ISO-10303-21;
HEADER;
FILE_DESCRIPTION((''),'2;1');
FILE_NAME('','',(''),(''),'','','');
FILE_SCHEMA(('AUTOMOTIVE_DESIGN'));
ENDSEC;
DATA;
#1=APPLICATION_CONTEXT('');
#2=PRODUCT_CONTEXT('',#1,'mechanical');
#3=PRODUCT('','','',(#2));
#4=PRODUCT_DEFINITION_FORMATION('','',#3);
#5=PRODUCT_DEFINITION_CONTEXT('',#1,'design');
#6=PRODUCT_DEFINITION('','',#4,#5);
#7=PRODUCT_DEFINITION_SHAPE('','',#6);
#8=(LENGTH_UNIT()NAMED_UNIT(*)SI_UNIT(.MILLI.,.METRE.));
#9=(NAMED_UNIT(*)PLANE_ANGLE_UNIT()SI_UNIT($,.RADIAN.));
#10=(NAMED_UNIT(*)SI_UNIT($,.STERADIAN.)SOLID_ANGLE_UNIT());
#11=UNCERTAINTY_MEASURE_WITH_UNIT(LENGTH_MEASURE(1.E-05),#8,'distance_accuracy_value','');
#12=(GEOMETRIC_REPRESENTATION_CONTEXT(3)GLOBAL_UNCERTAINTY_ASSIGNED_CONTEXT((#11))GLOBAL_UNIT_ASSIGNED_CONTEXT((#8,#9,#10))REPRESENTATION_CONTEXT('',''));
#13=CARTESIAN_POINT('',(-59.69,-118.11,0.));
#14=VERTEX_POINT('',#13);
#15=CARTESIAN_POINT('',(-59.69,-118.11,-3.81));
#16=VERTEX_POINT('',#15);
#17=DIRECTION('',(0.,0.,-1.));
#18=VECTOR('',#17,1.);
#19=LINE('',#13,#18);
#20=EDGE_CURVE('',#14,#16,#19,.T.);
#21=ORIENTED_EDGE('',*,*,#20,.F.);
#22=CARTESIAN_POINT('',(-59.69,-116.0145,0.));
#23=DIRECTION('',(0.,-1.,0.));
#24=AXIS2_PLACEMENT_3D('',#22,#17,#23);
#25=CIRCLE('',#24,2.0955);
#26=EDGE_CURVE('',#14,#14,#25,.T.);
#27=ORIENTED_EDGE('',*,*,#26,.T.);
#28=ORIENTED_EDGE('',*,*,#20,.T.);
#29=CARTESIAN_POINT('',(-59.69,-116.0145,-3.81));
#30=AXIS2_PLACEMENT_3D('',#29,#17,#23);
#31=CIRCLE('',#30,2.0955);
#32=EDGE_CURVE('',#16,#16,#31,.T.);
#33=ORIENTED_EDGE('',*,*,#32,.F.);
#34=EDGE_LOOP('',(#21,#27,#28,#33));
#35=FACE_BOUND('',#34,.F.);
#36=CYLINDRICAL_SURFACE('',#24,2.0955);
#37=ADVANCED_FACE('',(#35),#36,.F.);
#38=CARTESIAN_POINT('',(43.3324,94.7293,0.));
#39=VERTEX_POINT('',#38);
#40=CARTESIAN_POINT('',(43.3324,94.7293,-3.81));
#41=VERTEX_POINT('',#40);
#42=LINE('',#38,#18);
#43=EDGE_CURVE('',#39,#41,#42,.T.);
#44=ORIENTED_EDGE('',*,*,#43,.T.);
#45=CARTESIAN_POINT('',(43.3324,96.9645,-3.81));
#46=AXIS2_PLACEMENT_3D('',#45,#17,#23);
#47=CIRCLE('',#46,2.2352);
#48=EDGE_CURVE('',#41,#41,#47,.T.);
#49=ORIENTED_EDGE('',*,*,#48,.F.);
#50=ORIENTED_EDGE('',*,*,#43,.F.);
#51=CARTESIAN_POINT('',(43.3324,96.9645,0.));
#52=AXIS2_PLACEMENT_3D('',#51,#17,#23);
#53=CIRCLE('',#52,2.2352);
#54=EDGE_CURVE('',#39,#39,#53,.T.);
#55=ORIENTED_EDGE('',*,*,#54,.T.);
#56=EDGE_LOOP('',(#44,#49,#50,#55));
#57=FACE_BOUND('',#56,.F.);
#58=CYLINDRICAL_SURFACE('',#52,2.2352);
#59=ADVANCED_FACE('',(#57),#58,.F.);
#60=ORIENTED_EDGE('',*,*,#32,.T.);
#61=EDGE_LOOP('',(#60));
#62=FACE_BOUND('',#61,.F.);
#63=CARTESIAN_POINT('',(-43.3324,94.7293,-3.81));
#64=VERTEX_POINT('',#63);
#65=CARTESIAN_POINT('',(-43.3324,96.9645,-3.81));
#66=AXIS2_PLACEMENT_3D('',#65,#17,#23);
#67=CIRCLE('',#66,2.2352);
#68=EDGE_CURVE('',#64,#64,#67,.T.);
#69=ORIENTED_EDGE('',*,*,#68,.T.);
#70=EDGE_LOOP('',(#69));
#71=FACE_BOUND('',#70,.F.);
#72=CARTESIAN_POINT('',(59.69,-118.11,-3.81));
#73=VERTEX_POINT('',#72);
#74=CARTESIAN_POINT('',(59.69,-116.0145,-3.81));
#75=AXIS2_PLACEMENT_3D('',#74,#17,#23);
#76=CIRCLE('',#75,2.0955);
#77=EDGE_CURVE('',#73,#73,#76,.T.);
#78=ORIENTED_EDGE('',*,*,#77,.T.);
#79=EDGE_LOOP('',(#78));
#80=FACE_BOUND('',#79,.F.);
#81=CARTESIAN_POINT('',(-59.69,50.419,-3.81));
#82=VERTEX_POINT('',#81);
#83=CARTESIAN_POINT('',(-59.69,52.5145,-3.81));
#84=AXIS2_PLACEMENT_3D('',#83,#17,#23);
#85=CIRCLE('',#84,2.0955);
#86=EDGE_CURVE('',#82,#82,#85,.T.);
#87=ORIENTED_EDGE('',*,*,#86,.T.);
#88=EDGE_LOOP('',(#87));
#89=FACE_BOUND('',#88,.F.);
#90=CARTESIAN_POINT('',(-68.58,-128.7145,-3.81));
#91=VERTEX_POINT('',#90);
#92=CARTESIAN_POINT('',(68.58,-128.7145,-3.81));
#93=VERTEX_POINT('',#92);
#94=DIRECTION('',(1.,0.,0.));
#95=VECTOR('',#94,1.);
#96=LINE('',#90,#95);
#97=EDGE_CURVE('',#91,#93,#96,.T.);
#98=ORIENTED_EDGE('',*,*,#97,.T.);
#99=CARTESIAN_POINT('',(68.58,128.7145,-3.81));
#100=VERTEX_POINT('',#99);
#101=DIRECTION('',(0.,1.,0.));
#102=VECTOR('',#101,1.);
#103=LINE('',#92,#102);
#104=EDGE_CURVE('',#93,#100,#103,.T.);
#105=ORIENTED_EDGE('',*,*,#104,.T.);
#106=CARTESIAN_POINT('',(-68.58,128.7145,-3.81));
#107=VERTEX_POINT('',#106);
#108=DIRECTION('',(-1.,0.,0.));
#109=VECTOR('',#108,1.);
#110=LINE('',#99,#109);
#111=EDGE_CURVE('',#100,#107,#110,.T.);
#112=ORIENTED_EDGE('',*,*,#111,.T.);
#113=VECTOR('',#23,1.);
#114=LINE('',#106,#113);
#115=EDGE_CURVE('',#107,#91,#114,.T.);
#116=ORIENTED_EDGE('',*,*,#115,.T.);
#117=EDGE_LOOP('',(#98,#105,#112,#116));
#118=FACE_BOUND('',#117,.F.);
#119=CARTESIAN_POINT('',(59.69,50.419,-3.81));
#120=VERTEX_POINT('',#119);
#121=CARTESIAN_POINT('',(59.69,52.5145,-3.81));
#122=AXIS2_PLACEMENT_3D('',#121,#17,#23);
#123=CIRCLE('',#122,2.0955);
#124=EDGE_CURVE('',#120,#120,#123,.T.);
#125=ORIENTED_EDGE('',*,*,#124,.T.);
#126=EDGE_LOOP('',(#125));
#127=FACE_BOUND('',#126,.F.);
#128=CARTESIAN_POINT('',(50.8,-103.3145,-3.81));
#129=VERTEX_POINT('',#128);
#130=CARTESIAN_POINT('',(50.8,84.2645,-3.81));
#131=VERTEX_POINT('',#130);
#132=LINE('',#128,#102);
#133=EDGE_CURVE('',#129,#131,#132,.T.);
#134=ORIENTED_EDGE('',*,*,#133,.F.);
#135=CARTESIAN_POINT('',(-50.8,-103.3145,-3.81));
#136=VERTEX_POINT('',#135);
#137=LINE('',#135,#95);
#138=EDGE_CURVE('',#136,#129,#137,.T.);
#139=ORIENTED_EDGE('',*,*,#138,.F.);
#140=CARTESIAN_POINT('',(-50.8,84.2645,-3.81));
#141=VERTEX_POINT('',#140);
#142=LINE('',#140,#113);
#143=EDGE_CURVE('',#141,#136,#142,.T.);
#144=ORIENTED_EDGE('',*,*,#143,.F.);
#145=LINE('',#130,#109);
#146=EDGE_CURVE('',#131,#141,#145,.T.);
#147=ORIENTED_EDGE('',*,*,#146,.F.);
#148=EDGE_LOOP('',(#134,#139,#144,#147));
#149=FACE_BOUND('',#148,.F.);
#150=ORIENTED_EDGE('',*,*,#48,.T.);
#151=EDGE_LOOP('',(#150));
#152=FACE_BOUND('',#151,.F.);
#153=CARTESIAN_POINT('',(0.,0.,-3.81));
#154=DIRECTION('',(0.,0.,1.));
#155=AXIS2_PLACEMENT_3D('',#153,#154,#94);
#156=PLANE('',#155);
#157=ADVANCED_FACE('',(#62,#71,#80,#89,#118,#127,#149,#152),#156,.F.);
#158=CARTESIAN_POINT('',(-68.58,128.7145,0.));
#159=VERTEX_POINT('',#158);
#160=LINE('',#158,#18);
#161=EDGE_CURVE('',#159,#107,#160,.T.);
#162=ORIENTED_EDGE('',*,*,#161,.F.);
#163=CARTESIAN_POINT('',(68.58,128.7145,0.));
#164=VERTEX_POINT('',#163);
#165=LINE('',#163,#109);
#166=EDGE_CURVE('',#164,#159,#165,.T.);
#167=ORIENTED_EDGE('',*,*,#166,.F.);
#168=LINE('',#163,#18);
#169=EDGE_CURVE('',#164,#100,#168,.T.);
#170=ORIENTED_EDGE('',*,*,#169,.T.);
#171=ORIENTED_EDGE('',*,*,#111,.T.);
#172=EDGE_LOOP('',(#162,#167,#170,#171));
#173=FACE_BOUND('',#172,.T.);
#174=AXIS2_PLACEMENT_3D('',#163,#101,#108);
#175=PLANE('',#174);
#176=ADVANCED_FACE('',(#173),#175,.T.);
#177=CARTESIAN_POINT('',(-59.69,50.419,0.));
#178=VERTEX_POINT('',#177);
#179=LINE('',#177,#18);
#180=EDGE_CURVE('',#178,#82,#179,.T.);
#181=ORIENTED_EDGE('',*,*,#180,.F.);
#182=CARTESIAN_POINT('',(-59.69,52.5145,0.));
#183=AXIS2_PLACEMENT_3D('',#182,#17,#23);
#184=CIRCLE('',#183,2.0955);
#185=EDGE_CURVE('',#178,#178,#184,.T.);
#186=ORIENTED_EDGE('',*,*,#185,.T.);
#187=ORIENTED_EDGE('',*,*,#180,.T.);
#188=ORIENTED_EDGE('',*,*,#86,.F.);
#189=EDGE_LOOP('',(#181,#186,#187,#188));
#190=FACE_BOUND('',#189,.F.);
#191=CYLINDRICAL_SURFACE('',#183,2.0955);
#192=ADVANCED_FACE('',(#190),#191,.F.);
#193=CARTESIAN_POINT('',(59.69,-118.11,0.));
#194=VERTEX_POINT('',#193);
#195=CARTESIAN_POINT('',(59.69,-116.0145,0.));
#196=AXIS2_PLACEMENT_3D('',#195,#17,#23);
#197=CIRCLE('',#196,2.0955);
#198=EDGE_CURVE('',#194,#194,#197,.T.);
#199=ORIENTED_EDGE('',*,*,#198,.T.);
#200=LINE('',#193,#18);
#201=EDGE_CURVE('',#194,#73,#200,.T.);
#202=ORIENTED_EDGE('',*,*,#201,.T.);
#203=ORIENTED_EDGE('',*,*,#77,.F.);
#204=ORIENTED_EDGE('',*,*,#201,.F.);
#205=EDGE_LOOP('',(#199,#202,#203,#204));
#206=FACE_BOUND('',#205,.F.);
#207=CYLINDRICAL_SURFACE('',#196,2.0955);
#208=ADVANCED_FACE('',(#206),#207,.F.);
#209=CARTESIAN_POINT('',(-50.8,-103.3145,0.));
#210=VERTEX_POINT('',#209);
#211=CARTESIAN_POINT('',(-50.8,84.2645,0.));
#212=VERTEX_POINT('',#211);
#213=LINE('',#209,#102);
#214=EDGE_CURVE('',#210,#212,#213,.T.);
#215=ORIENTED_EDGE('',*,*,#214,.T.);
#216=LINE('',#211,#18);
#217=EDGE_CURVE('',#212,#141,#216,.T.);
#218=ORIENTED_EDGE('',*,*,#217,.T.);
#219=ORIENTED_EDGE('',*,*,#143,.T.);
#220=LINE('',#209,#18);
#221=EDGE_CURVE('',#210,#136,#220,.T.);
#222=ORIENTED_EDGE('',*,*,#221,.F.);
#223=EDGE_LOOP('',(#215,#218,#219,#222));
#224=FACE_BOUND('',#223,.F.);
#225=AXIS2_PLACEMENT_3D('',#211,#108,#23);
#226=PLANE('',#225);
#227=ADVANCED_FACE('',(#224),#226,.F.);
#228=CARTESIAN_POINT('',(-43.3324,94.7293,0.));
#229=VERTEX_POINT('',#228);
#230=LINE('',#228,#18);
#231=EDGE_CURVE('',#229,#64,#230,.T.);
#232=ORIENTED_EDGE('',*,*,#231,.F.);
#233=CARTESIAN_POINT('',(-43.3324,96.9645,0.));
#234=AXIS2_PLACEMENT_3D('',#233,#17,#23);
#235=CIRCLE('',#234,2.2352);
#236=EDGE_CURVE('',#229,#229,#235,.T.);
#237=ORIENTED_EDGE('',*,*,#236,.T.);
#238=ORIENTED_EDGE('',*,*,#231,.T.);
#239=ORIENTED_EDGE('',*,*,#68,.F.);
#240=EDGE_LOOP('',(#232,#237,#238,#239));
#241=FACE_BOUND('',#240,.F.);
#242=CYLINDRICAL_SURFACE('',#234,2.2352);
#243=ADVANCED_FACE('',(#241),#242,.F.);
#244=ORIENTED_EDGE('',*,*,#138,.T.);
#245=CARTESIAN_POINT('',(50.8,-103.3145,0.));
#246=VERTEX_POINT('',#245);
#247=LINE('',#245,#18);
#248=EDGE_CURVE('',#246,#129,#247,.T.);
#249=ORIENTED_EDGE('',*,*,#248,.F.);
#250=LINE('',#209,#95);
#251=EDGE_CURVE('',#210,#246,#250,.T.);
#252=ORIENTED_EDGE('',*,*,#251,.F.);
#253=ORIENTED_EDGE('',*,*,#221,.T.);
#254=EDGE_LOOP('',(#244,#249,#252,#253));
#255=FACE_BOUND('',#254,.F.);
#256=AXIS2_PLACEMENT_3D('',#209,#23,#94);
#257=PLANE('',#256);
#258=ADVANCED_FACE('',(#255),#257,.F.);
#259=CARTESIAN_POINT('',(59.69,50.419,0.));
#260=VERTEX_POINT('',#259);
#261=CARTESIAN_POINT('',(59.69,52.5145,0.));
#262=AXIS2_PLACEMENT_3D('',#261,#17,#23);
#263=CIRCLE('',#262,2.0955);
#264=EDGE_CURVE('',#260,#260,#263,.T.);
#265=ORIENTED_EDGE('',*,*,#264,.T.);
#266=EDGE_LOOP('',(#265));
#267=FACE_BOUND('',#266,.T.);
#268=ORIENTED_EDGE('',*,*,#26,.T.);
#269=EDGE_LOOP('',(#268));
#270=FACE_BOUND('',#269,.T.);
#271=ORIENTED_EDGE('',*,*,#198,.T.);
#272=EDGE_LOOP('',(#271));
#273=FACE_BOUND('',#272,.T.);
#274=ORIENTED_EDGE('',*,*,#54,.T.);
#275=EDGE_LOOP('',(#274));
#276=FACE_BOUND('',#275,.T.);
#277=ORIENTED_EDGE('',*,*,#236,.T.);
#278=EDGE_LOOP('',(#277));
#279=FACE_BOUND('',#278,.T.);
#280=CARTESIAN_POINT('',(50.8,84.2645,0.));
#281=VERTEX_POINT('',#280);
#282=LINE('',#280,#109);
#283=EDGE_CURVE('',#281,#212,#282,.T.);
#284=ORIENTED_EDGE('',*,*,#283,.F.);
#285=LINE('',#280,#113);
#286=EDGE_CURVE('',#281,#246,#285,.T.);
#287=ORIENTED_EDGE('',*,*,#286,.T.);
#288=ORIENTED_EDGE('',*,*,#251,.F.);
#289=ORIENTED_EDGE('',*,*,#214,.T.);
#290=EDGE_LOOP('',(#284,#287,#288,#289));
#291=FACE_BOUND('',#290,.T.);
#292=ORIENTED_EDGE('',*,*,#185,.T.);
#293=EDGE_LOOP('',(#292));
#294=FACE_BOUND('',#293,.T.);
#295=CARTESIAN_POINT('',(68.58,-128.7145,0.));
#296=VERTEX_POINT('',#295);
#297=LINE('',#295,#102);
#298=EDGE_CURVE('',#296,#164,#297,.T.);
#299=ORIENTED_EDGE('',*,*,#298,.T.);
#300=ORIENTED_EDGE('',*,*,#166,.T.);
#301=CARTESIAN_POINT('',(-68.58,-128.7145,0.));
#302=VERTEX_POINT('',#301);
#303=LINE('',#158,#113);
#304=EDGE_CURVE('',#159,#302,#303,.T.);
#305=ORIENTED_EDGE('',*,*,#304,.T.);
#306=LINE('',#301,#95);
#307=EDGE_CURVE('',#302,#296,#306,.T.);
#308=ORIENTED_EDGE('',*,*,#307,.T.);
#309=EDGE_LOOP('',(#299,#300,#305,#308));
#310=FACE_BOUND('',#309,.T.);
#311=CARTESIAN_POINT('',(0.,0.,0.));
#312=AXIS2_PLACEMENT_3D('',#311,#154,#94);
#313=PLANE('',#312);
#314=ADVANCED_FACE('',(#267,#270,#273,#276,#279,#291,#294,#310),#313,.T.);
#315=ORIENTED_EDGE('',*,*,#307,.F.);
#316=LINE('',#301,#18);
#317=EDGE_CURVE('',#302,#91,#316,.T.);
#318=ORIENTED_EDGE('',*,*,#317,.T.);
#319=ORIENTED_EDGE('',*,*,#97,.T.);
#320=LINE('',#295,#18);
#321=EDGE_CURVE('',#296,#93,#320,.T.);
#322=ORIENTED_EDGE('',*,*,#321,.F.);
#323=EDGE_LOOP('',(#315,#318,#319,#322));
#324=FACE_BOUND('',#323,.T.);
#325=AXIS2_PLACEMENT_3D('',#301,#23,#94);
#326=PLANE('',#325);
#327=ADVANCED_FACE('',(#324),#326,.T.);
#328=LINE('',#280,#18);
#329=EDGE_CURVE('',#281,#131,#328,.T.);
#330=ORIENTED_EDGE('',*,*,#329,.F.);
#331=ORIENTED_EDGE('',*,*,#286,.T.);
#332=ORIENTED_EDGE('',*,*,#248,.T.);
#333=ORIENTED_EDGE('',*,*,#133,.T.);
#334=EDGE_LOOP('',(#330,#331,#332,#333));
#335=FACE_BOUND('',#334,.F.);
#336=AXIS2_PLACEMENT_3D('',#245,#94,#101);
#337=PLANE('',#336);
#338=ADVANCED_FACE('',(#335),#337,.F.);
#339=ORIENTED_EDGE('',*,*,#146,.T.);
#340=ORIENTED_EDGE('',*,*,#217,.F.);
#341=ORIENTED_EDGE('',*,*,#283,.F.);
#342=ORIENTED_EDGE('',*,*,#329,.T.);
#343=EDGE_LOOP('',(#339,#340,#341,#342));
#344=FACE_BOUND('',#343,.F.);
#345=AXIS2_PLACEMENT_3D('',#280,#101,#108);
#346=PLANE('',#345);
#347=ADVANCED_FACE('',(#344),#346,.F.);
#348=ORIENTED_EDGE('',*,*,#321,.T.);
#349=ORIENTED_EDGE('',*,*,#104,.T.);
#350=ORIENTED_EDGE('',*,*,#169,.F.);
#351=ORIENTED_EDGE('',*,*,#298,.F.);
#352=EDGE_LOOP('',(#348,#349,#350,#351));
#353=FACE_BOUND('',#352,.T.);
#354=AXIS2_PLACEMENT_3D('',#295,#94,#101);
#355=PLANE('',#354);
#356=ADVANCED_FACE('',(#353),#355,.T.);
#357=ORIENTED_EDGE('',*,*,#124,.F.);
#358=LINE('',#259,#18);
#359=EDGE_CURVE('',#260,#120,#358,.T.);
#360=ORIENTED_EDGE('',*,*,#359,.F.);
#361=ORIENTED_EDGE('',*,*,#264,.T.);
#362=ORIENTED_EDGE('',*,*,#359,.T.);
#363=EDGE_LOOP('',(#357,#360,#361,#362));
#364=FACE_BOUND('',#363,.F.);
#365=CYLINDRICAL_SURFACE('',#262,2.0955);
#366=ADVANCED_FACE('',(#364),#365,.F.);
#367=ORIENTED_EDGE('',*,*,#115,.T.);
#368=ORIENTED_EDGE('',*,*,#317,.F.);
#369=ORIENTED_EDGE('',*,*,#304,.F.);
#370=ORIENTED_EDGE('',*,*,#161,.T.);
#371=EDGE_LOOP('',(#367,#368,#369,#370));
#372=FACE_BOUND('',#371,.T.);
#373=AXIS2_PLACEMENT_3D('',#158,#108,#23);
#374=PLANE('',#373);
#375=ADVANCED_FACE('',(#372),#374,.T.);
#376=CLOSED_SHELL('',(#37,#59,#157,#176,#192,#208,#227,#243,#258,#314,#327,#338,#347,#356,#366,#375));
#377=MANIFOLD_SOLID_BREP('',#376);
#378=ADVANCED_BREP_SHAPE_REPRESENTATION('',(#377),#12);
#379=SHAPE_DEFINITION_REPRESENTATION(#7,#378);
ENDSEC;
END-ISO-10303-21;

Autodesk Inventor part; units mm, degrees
ref_plane "YZ Plane" through (0, 0, 0) normal (1, 0, 0) x (0, 1, 0)
ref_plane "XZ Plane" through (0, 0, 0) normal (0, 1, 0) x (-1, 0, 0)
ref_plane "XY Plane" through (0, 0, 0) normal (0, 0, 1) x (1, 0, 0)
sketch "Sketch1" plane through (0, 0, 0) normal (0, 0, 1) x (1, 0, 0)
  line L0 (-68.58, -128.7145) -> (68.58, -128.7145)
  line L1 (68.58, -128.7145) -> (68.58, 128.7145)
  line L2 (68.58, 128.7145) -> (-68.58, 128.7145)
  line L3 (-68.58, 128.7145) -> (-68.58, -128.7145)
  line L4 (-68.58, -128.7145) -> (68.58, 128.7145) construction
  line L5 (68.58, -128.7145) -> (-68.58, 128.7145) construction
  point P0 (0, 0)
  dimension "d0" = 137.16
  dimension "d1" = 257.429
extrude "Extrusion1" add sketch "Sketch1" against normal blind 3.81
sketch "Sketch2" plane through (0, 0, 0) normal (0, 0, 1) x (1, 0, 0)
  circle A0 centre (-59.69, 52.5145) radius 2.0955
  line L0 (-68.58, 128.7145) -> (-68.58, -128.7145) projected
  line L1 (-68.58, 128.7145) -> (68.58, 128.7145) projected
  circle A1 centre (59.69, 52.5145) radius 2.0955
  line L2 (68.58, -128.7145) -> (68.58, 128.7145) projected
  circle A2 centre (-59.69, -116.0145) radius 2.0955
  circle A3 centre (59.69, -116.0145) radius 2.0955
  line L3 (-68.58, -128.7145) -> (68.58, -128.7145) projected
  point P0 (0, 0)
  dimension "d4" = 8.89
  dimension "d5" = 76.2
  dimension "d6" = 76.2
  dimension "d7" = 8.89
  dimension "d8" = 4.191
  dimension "d9" = 12.7
  dimension "d10" = 8.89
  dimension "d11" = 8.89
  dimension "d12" = 12.7
  dimension "d13" = 4.191
  dimension "d21" = 4.191
  dimension "d22" = 4.191
hole "Hole1" at (-59.69, 52.5145, 0) at (59.69, 52.5145, 0) at (-59.69, -116.0145, 0) at (59.69, -116.0145, 0) direction (0, 0, -1) diameter 4.191 end through all
sketch "Sketch5" plane through (0, 0, 0) normal (0, 0, 1) x (1, 0, 0)
  line L0 (-68.58, 128.7145) -> (68.58, 128.7145) projected
  line L1 (68.58, 128.7145) -> (68.58, -128.7145) projected
  point P0 (0, 0)
  point P1 (-43.3324, 96.9645)
  point P2 (43.3324, 96.9645)
  dimension "d37" = 31.75
  dimension "d38" = 86.6648
  dimension "d39" = 31.75
  dimension "d40" = 25.2476
hole "Hole2" at (-43.3324, 96.9645, 0) at (43.3324, 96.9645, 0) direction (0, 0, -1) diameter 4.4704 end through all
sketch "battery_buzzer" plane through (0, 0, 0) normal (0, 0, 1) x (1, 0, 0)
  point P0 (0, 0)
sketch "Sketch7" plane through (0, 0, 0) normal (0, 0, 1) x (1, 0, 0)
  line L0 (-50.8, 39.5798) -> (-50.8, -103.3145)
  line L1 (-50.8, -103.3145) -> (50.8, -103.3145)
  line L2 (50.8, -103.3145) -> (50.8, 39.5798)
  line L3 (50.8, 39.5798) -> (50.8, 84.2645)
  line L4 (50.8, 84.2645) -> (-50.8, 84.2645)
  line L5 (-50.8, 84.2645) -> (-50.8, 39.5798)
  line L6 (68.58, -128.7145) -> (68.58, 128.7145) projected
  line L7 (-68.58, 128.7145) -> (-68.58, -128.7145) projected
  line L8 (68.58, -128.7145) -> (-68.58, -128.7145) projected
  line L9 (68.58, 128.7145) -> (-68.58, 128.7145) projected
  point P0 (0, 0)
  dimension "d48" = 17.78
  dimension "d49" = 17.78
  dimension "d50" = 25.4
  dimension "d51" = 44.45
extrude "Extrusion3" cut sketch "Sketch7" against normal blind 3.81 contours L5 L4 L3 L2 L1 L0
